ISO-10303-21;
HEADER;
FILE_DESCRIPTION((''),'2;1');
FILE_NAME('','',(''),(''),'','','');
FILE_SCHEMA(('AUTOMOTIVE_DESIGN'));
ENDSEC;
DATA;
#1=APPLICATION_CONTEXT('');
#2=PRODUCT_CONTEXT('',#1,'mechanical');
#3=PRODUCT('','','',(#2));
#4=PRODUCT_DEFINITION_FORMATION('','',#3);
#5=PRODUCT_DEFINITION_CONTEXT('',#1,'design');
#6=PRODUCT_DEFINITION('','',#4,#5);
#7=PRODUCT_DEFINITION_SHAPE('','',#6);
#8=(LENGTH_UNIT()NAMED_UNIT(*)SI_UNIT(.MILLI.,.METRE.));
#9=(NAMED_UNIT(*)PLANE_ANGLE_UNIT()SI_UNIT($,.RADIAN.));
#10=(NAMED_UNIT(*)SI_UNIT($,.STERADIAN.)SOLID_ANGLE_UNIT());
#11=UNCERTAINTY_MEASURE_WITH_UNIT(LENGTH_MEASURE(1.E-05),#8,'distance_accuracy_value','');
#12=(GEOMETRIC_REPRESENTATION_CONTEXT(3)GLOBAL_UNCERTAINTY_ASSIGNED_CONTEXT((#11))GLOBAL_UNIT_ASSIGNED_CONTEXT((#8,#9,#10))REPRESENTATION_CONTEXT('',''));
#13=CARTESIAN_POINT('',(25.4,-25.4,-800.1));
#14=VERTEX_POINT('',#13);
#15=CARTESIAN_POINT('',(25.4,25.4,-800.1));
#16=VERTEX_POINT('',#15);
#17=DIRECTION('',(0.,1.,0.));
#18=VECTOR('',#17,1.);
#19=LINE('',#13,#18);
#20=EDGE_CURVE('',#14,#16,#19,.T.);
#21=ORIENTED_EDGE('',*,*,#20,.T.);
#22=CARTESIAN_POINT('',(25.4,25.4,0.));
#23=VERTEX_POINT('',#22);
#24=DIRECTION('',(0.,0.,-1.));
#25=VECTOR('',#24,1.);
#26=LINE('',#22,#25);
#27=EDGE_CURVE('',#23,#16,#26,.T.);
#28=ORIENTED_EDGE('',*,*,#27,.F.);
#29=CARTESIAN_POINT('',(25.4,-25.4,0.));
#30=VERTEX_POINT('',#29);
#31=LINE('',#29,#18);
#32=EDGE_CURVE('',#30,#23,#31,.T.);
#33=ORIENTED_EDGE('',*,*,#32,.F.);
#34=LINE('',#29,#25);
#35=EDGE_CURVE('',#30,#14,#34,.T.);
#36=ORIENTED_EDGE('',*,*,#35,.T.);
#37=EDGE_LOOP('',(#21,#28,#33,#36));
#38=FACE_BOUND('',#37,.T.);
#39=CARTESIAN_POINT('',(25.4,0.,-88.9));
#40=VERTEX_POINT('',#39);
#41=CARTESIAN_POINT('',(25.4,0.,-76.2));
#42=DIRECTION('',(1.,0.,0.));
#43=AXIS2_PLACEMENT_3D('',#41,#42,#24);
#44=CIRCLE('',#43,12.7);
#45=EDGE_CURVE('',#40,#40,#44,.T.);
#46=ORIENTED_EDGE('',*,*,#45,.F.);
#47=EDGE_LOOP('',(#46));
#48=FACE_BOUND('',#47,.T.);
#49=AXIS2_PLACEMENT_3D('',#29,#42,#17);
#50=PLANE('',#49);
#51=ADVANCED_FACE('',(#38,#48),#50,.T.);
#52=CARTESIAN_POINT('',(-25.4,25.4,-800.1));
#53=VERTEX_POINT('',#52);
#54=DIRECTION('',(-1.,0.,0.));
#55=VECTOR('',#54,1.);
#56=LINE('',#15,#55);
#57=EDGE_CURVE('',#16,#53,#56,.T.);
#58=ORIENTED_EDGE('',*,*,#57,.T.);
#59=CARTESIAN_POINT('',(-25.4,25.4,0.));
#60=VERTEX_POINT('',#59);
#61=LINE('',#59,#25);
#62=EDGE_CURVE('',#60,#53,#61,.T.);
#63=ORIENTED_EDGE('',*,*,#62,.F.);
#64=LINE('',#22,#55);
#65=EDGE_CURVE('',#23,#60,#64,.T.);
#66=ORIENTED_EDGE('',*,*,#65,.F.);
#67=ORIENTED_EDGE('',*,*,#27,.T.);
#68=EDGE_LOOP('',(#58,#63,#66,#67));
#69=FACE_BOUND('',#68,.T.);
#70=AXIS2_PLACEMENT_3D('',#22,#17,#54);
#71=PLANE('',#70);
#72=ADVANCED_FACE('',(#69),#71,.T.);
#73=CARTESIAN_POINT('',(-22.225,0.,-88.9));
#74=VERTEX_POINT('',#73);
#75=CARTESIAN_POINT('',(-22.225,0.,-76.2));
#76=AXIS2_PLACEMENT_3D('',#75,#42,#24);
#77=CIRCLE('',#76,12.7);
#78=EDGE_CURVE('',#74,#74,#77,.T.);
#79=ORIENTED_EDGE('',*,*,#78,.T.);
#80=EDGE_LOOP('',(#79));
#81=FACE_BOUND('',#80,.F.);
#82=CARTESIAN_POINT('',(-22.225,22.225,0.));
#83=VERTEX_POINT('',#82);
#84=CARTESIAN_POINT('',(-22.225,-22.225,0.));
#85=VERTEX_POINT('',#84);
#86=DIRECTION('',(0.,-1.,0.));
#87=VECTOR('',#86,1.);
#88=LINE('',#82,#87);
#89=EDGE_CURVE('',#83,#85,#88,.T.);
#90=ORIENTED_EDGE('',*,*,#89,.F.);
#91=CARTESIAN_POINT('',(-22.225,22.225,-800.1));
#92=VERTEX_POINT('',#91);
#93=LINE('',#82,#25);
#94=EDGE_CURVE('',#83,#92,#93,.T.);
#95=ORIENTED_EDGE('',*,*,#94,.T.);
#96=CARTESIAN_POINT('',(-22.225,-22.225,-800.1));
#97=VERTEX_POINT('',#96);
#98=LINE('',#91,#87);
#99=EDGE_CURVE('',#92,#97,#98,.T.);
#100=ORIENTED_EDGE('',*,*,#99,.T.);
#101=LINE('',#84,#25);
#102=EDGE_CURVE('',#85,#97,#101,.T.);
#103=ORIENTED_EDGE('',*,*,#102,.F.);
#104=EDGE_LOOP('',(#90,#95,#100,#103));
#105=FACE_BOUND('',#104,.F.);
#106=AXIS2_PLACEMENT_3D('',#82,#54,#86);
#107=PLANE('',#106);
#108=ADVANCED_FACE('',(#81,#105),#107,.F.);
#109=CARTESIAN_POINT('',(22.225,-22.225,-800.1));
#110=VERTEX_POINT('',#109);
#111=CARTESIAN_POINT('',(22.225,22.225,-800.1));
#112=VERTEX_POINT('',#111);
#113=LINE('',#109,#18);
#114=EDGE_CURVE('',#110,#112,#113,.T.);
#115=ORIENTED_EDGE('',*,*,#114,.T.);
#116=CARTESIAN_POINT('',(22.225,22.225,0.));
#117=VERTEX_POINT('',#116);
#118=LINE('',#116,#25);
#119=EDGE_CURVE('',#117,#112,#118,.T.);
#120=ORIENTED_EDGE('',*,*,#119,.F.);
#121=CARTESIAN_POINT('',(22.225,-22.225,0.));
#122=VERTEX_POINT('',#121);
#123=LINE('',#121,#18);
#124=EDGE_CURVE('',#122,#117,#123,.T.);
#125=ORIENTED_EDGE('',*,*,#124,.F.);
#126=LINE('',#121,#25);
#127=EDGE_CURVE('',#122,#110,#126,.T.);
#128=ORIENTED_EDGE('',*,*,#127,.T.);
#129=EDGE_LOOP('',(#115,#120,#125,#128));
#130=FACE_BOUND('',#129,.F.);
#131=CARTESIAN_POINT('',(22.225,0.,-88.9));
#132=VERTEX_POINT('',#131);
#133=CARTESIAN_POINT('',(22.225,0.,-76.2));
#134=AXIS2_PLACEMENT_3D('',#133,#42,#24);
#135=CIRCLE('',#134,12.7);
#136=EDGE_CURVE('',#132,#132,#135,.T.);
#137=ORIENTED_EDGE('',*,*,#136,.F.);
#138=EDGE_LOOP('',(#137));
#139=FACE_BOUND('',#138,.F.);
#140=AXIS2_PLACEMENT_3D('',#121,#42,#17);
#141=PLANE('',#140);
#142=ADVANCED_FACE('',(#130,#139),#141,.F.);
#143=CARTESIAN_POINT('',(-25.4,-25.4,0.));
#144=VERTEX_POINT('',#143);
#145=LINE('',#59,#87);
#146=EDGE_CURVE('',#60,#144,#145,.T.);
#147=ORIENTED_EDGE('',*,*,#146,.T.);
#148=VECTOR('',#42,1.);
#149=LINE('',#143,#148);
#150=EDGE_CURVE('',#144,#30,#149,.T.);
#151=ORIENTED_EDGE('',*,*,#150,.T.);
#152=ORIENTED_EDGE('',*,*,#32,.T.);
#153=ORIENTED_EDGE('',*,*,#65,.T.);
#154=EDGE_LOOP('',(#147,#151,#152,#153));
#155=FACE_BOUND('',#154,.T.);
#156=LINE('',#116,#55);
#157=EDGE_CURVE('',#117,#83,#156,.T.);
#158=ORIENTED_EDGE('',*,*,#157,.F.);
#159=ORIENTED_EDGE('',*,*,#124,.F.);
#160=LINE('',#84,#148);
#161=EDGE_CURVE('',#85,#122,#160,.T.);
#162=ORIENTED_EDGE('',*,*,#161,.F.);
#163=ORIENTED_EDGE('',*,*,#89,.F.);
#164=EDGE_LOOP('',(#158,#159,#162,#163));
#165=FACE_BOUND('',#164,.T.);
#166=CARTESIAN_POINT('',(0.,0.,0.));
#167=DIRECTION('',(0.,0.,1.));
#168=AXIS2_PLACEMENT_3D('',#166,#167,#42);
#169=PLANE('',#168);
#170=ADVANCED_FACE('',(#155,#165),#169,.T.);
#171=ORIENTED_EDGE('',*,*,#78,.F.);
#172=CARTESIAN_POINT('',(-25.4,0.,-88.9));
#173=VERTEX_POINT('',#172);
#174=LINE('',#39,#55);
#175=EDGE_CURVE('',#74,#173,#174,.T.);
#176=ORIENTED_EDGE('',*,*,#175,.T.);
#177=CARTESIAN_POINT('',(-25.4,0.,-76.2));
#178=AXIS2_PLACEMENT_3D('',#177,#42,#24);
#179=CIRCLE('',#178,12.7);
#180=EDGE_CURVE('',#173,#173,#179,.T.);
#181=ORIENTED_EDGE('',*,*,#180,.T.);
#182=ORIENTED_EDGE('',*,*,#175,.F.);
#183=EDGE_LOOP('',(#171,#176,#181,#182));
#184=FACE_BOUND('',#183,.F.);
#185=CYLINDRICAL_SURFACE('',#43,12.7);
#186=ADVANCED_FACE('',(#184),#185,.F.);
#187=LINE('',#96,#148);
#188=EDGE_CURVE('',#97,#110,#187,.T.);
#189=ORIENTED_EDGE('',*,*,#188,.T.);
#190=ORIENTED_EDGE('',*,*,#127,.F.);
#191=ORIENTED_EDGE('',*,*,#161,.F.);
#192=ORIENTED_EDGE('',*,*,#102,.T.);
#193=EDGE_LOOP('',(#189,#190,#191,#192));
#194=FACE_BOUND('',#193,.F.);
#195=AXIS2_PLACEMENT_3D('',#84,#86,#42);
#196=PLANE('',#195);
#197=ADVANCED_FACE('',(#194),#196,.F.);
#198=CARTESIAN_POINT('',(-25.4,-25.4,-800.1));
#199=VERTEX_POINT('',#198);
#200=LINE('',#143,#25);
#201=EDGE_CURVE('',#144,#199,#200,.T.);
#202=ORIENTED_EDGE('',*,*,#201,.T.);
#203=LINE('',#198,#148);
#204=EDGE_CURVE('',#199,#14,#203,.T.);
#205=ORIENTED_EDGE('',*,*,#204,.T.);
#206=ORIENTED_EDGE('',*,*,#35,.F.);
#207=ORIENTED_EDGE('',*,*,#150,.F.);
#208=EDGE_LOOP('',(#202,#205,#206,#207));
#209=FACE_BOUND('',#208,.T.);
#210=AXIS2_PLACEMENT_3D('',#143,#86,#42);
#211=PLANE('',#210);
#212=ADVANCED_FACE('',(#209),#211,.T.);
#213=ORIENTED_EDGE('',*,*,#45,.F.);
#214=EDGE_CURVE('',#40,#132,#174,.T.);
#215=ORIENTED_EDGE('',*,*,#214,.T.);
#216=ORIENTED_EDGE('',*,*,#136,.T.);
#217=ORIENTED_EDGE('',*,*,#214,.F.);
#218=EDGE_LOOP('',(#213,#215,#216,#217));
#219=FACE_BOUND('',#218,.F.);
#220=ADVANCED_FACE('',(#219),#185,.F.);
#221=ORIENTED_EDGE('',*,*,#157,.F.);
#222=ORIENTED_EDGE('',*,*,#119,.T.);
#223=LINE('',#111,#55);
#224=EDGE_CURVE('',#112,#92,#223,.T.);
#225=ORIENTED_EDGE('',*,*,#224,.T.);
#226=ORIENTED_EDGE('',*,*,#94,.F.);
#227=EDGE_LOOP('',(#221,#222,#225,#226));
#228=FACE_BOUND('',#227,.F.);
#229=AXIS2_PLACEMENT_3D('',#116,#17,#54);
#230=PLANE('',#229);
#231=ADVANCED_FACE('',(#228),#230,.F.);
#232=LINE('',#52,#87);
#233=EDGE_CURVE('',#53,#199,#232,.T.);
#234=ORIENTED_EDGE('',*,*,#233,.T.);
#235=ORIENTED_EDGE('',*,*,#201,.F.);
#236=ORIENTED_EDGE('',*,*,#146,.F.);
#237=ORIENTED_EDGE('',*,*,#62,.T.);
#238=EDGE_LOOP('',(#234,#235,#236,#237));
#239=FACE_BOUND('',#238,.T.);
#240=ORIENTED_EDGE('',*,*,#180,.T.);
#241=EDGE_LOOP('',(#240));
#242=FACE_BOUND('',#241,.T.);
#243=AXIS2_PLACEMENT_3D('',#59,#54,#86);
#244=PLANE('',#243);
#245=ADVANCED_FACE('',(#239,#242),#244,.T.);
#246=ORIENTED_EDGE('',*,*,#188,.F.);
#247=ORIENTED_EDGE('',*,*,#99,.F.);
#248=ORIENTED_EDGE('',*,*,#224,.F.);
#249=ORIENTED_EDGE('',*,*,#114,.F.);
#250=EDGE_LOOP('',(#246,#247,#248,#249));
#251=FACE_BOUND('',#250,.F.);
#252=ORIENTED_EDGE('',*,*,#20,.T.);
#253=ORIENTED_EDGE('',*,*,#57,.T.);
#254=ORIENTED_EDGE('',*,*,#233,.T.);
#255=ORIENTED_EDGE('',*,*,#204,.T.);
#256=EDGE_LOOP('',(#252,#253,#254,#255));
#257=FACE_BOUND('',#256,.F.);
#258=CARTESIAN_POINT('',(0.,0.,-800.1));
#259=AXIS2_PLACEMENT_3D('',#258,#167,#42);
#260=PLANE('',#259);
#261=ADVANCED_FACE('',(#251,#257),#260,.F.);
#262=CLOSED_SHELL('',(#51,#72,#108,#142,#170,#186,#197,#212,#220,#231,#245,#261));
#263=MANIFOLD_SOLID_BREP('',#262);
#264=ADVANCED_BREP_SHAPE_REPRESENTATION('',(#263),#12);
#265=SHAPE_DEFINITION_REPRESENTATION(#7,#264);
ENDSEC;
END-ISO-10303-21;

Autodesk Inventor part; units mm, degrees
ref_plane "XZ Plane" through (0, 0, 0) normal (0, 1, 0) x (-1, 0, 0)
ref_plane "XY Plane" through (0, 0, 0) normal (0, 0, 1) x (1, 0, 0)
sketch "Sketch1" plane through (0, 0, 0) normal (0, 0, 1) x (1, 0, 0)
  line L0 (-25.4, -25.4) -> (25.4, -25.4)
  line L1 (25.4, -25.4) -> (25.4, 25.4)
  line L2 (25.4, 25.4) -> (-25.4, 25.4)
  line L3 (-25.4, 25.4) -> (-25.4, -25.4)
  line L4 (-25.4, -25.4) -> (25.4, 25.4) construction
  line L5 (25.4, -25.4) -> (-25.4, 25.4) construction
  line L6 (-22.225, -22.225) -> (22.225, -22.225)
  line L7 (22.225, -22.225) -> (22.225, 22.225)
  line L8 (22.225, 22.225) -> (-22.225, 22.225)
  line L9 (-22.225, 22.225) -> (-22.225, -22.225)
  line L10 (-22.225, -22.225) -> (22.225, 22.225) construction
  line L11 (22.225, -22.225) -> (-22.225, 22.225) construction
  point P0 (0, 0)
  dimension "d0" = 50.8
  dimension "d1" = 3.175
extrude "Extrusion1" add sketch "Sketch1" against normal blind 800.1
sketch "Sketch2" plane through (25.4, -25.4, 0) normal (1, 0, 0) x (0, 0, -1)
  circle A0 centre (76.2, 25.4) radius 12.7
  line L0 (0, 0) -> (0, 50.8) projected
  point P0 (0, 25.4)
  dimension "d4" = 25.4
  dimension "d7" = 76.2
extrude "Extrusion2" cut sketch "Sketch2" against normal through all
properties part number "2inSquareArmTube"
